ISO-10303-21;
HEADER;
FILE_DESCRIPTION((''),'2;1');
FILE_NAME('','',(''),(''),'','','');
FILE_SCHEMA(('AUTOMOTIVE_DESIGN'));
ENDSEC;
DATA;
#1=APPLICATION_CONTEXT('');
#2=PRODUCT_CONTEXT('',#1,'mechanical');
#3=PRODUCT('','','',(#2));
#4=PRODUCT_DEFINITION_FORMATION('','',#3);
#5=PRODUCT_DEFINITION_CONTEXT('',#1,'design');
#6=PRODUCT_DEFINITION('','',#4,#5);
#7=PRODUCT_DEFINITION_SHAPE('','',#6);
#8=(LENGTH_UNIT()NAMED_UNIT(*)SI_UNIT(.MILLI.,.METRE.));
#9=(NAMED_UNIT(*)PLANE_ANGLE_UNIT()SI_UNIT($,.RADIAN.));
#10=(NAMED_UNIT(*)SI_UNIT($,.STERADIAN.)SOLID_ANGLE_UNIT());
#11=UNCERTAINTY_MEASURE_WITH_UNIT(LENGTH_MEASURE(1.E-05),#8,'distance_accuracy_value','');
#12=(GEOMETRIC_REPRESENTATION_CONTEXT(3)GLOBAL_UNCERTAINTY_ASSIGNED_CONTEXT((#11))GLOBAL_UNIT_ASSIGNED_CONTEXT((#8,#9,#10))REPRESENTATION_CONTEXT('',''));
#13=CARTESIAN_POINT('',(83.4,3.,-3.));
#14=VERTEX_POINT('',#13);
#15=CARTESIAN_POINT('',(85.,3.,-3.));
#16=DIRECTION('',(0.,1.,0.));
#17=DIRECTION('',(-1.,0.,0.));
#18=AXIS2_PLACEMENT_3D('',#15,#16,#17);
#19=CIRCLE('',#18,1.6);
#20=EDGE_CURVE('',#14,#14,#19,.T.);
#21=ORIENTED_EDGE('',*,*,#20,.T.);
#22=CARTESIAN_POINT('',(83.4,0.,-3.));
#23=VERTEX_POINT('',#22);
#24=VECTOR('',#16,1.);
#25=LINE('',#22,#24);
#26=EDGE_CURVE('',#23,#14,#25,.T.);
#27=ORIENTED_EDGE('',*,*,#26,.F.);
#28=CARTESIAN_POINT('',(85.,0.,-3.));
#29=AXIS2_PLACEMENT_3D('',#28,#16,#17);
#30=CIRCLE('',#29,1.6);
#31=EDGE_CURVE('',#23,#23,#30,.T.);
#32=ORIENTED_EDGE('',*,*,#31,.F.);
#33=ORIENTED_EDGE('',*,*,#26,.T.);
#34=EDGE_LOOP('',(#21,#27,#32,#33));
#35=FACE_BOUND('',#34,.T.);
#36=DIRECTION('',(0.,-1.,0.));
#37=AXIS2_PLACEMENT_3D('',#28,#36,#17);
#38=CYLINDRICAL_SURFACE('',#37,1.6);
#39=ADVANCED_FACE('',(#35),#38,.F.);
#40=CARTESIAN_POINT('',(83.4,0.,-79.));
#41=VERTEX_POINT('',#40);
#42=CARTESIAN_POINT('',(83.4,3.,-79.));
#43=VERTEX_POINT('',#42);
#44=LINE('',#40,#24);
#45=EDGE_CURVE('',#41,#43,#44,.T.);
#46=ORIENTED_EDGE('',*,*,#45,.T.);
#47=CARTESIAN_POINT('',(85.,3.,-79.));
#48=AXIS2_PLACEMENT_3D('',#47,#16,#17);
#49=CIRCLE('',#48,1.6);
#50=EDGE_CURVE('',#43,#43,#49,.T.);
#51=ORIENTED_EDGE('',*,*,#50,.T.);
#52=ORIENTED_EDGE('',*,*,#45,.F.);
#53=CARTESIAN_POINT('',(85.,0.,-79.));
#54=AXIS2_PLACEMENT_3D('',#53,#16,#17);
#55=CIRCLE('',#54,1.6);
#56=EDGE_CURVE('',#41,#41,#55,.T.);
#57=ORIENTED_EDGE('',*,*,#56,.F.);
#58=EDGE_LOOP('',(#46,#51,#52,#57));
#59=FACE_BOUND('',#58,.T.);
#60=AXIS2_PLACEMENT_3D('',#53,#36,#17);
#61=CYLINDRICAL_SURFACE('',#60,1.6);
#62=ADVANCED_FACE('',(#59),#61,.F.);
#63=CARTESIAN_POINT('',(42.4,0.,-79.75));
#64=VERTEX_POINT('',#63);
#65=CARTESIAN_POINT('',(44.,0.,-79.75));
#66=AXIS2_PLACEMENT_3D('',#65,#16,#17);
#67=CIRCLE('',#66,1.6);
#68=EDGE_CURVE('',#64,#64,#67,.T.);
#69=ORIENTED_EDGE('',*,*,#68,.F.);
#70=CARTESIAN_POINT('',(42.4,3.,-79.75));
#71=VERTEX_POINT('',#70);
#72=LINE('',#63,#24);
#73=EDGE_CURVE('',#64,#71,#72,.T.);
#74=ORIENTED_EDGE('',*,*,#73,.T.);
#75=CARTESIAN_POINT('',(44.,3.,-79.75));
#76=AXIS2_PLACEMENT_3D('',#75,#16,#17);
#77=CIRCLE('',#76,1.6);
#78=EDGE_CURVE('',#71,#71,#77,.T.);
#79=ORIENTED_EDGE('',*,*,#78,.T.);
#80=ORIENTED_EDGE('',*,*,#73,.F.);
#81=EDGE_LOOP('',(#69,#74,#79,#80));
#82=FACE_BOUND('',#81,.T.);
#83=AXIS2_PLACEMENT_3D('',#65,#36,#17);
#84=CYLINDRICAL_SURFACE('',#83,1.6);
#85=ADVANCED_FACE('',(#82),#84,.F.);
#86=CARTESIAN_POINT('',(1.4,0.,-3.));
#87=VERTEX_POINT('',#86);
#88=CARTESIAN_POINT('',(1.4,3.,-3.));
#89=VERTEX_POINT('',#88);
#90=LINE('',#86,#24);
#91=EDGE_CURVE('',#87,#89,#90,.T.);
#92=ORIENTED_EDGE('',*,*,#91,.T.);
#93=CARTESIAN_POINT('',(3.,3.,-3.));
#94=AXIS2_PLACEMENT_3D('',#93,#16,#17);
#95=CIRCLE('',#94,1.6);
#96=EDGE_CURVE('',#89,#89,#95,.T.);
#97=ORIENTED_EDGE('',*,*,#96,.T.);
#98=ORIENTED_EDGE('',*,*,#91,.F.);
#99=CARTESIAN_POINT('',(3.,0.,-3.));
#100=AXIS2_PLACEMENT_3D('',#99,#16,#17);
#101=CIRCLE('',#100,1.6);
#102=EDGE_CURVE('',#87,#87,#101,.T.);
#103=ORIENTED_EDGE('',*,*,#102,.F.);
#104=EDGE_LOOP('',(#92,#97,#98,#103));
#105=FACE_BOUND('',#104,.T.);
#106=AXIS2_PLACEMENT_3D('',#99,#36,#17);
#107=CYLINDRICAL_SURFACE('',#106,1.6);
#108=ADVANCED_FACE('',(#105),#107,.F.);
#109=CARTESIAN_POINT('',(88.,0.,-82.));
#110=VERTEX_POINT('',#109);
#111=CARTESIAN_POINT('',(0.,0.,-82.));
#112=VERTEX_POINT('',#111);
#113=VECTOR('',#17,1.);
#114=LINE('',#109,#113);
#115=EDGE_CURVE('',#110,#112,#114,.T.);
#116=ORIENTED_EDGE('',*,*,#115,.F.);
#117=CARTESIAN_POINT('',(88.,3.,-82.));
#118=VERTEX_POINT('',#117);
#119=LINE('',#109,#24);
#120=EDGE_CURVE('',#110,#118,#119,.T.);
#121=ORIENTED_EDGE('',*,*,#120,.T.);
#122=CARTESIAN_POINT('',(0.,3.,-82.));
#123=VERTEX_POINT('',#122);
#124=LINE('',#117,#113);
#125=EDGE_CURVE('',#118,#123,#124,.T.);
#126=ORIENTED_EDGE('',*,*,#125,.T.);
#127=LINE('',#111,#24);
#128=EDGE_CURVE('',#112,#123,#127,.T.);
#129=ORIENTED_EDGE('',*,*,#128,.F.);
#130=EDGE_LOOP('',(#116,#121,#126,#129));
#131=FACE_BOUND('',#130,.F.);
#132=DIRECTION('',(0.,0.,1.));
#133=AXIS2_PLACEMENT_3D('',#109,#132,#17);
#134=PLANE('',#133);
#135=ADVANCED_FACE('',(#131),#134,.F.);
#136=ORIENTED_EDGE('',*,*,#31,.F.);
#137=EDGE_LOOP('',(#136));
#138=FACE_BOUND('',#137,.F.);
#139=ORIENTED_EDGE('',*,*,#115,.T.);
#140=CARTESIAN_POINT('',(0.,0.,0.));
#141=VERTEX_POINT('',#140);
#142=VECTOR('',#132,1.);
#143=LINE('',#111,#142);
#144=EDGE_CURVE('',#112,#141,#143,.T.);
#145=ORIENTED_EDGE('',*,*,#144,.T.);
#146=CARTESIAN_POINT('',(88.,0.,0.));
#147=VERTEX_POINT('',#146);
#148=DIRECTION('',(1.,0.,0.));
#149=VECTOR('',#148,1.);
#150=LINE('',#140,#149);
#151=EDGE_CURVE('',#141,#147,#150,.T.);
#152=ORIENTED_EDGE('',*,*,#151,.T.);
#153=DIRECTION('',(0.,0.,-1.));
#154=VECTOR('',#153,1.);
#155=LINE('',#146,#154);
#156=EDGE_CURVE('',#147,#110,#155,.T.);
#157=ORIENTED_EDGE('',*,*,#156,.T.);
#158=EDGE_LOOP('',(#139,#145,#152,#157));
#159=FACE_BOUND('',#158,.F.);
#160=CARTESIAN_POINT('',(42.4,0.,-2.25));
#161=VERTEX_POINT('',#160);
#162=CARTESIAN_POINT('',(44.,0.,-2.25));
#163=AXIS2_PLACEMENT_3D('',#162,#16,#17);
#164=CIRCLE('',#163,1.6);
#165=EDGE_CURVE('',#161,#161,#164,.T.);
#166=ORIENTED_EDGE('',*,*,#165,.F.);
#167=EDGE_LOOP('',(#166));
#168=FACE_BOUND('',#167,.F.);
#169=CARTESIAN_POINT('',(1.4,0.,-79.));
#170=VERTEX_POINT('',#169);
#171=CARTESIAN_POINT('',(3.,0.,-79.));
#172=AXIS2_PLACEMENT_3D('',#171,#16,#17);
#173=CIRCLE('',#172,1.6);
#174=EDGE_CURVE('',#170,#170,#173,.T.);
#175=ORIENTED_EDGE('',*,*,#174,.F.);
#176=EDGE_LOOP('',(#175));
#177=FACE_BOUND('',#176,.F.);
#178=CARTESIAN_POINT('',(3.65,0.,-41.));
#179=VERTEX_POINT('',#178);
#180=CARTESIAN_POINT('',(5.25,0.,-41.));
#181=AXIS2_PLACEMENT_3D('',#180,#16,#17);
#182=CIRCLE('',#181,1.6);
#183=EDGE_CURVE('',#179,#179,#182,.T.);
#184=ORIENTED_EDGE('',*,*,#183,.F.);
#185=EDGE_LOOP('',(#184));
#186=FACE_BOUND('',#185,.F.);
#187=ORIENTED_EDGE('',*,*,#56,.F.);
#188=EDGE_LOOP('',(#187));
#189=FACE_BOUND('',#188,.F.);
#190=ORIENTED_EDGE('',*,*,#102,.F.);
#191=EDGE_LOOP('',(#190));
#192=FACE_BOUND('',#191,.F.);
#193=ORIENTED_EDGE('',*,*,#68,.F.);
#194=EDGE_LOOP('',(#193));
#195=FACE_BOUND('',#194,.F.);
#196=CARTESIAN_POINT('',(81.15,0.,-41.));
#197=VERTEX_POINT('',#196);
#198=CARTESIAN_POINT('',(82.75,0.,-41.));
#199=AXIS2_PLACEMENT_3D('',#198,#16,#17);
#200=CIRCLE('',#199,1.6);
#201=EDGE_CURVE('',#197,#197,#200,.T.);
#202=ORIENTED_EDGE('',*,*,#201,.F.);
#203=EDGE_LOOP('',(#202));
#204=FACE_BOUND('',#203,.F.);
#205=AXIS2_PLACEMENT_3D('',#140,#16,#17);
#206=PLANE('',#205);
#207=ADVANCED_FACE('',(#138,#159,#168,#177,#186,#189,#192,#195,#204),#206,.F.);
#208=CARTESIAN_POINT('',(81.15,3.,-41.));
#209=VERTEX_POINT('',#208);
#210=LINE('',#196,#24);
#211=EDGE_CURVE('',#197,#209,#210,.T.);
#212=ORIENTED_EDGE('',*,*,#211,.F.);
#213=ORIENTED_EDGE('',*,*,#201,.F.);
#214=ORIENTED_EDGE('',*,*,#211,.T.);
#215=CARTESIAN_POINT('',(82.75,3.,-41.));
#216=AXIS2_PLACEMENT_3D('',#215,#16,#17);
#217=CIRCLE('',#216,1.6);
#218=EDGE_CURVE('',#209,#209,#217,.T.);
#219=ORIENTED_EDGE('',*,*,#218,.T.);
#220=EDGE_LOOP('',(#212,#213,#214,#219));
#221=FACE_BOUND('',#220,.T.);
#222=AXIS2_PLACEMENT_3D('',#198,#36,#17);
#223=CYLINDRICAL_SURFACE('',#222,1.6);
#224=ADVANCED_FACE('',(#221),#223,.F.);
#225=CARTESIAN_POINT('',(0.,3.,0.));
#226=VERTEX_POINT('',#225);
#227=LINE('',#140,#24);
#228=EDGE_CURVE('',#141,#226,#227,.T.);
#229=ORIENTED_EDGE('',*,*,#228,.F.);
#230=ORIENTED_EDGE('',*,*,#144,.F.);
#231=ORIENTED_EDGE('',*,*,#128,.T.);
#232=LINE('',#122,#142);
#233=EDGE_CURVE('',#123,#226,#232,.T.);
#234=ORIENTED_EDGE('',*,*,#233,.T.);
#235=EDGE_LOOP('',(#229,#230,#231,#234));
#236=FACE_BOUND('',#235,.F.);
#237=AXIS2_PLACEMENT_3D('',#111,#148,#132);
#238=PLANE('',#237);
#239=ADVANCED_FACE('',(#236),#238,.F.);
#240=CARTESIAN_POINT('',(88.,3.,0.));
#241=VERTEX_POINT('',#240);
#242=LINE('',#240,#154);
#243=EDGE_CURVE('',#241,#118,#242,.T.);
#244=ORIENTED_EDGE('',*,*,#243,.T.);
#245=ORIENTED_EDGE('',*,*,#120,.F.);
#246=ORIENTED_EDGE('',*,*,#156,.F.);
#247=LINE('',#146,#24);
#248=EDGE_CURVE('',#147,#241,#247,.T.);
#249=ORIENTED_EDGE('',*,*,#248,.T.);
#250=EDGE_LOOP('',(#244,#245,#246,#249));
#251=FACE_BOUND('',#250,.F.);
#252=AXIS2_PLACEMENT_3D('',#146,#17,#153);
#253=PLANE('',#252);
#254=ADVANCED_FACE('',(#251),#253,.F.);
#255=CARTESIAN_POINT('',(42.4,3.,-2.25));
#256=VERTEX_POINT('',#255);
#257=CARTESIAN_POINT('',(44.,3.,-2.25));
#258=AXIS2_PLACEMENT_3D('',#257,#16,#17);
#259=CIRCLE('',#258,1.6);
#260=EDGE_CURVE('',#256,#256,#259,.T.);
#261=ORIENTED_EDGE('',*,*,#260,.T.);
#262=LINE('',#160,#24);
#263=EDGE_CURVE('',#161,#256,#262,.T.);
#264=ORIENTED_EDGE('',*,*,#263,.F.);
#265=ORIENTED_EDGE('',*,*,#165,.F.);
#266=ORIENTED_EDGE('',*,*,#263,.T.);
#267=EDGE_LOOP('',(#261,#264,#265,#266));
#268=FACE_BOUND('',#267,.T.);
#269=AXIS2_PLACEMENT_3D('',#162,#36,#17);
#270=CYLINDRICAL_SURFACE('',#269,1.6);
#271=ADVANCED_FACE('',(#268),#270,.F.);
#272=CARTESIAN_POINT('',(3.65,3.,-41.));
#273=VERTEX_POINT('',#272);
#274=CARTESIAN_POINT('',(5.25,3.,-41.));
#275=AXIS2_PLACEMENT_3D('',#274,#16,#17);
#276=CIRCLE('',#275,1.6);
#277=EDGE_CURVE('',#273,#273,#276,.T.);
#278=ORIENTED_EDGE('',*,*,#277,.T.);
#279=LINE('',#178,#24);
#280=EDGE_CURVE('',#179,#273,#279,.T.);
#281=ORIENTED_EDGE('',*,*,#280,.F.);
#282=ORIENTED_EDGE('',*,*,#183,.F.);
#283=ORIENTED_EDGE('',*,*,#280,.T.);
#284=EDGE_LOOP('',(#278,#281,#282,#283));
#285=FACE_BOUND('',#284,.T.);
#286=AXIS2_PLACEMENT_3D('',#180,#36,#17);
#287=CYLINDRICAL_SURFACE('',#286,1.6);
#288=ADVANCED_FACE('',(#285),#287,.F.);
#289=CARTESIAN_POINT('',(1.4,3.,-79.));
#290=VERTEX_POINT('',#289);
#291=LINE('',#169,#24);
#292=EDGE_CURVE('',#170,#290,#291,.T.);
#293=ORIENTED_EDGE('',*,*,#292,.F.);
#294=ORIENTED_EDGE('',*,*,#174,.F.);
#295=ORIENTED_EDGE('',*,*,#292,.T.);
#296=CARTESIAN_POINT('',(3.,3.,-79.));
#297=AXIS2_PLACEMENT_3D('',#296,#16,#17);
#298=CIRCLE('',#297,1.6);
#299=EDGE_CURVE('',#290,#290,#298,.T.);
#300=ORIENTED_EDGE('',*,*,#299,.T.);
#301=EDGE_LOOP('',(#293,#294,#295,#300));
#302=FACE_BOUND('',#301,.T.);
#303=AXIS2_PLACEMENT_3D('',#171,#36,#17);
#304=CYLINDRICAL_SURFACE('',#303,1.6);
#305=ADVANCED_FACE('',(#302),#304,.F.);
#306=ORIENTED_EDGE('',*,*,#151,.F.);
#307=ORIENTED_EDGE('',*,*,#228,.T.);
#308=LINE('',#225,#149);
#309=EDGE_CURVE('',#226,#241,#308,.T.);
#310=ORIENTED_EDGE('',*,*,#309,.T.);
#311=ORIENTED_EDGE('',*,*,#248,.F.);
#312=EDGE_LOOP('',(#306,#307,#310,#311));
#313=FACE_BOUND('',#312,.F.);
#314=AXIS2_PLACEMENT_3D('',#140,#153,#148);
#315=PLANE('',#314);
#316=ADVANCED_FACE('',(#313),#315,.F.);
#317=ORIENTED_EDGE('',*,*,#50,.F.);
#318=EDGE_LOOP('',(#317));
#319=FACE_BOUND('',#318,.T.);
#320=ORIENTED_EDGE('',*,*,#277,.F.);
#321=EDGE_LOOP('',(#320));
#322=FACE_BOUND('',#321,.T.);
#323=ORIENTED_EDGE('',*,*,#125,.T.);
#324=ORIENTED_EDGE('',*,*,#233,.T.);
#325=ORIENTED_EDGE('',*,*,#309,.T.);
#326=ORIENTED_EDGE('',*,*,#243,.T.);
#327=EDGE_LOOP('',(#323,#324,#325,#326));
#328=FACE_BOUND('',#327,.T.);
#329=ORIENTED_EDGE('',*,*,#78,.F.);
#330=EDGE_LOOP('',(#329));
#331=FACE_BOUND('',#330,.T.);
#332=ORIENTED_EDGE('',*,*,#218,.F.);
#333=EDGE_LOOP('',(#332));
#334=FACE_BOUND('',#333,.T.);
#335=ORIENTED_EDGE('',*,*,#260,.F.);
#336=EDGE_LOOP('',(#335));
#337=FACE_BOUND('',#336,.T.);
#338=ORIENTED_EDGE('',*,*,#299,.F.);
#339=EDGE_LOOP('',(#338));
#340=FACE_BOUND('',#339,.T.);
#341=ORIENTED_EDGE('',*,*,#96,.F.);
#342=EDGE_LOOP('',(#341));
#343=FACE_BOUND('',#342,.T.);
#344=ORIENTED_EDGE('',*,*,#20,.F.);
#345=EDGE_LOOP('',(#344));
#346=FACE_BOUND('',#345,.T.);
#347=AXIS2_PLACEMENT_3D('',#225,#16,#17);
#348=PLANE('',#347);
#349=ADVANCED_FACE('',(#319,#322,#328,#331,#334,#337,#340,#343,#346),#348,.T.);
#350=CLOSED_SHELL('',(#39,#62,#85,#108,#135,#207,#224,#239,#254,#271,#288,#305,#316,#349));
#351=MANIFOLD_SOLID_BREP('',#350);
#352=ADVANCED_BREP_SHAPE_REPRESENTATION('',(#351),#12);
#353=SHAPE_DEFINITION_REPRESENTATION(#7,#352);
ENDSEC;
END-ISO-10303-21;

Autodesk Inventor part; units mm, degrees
ref_plane "YZ Plane" through (0, 0, 0) normal (1, 0, 0) x (0, 1, 0)
ref_plane "XZ Plane" through (0, 0, 0) normal (0, 1, 0) x (-1, 0, 0)
ref_plane "XY Plane" through (0, 0, 0) normal (0, 0, 1) x (1, 0, 0)
sketch "Sketch1" plane through (0, 0, 0) normal (0, 1, 0) x (-1, 0, 0)
  line L0 (0, 0) -> (-88, 0)
  line L1 (-88, 0) -> (-88, -82)
  line L2 (-88, -82) -> (0, -82)
  line L3 (0, -82) -> (0, 0)
  line L4 (-2.25, -82.75) -> (-85.75, -82.75) construction
  line L5 (-85.75, -82.75) -> (-85.75, 0.75) construction
  line L6 (-85.75, 0.75) -> (-2.25, 0.75) construction
  line L7 (-2.25, 0.75) -> (-2.25, -82.75) construction
  circle A0 centre (-44, -79.75) radius 1.6
  circle A1 centre (-82.75, -41) radius 1.6
  circle A2 centre (-5.25, -41) radius 1.6
  circle A3 centre (-44, -2.25) radius 1.6
  circle A4 centre (-3, -79) radius 1.6
  circle A5 centre (-3, -3) radius 1.6
  circle A6 centre (-85, -3) radius 1.6
  circle A7 centre (-85, -79) radius 1.6
  dimension "d37" = 88
  dimension "d38" = 82
  dimension "d39" = 83.5
  dimension "d40" = 2.25
  dimension "d41" = 0.75
  dimension "d42" = 3.2
  dimension "d43" = 3
  dimension "d44" = 3
  dimension "d45" = 3
  dimension "d46" = 3
  dimension "d47" = 41
  dimension "d48" = 44
  dimension "d50" = 3.2
  dimension "d51" = 3
  dimension "d52" = 3
  dimension "d53" = 3
  dimension "d54" = 3
extrude "Extrusion1" add sketch "Sketch1" along normal blind 3
equation "\"d40\" = -0.5 * d39 + 0.5 * d37"
equation "\"d41\" = -0.5 * d38 + 0.5 * d39"
equation "\"d44\" = d43"
equation "\"d46\" = d45"
equation "\"d47\" = 0.5 * d38"
equation "\"d48\" = 0.5 * d37"
equation "\"d52\" = d51"
equation "\"d53\" = d51"
equation "\"d54\" = d52"
properties part number "DummyBoard"
